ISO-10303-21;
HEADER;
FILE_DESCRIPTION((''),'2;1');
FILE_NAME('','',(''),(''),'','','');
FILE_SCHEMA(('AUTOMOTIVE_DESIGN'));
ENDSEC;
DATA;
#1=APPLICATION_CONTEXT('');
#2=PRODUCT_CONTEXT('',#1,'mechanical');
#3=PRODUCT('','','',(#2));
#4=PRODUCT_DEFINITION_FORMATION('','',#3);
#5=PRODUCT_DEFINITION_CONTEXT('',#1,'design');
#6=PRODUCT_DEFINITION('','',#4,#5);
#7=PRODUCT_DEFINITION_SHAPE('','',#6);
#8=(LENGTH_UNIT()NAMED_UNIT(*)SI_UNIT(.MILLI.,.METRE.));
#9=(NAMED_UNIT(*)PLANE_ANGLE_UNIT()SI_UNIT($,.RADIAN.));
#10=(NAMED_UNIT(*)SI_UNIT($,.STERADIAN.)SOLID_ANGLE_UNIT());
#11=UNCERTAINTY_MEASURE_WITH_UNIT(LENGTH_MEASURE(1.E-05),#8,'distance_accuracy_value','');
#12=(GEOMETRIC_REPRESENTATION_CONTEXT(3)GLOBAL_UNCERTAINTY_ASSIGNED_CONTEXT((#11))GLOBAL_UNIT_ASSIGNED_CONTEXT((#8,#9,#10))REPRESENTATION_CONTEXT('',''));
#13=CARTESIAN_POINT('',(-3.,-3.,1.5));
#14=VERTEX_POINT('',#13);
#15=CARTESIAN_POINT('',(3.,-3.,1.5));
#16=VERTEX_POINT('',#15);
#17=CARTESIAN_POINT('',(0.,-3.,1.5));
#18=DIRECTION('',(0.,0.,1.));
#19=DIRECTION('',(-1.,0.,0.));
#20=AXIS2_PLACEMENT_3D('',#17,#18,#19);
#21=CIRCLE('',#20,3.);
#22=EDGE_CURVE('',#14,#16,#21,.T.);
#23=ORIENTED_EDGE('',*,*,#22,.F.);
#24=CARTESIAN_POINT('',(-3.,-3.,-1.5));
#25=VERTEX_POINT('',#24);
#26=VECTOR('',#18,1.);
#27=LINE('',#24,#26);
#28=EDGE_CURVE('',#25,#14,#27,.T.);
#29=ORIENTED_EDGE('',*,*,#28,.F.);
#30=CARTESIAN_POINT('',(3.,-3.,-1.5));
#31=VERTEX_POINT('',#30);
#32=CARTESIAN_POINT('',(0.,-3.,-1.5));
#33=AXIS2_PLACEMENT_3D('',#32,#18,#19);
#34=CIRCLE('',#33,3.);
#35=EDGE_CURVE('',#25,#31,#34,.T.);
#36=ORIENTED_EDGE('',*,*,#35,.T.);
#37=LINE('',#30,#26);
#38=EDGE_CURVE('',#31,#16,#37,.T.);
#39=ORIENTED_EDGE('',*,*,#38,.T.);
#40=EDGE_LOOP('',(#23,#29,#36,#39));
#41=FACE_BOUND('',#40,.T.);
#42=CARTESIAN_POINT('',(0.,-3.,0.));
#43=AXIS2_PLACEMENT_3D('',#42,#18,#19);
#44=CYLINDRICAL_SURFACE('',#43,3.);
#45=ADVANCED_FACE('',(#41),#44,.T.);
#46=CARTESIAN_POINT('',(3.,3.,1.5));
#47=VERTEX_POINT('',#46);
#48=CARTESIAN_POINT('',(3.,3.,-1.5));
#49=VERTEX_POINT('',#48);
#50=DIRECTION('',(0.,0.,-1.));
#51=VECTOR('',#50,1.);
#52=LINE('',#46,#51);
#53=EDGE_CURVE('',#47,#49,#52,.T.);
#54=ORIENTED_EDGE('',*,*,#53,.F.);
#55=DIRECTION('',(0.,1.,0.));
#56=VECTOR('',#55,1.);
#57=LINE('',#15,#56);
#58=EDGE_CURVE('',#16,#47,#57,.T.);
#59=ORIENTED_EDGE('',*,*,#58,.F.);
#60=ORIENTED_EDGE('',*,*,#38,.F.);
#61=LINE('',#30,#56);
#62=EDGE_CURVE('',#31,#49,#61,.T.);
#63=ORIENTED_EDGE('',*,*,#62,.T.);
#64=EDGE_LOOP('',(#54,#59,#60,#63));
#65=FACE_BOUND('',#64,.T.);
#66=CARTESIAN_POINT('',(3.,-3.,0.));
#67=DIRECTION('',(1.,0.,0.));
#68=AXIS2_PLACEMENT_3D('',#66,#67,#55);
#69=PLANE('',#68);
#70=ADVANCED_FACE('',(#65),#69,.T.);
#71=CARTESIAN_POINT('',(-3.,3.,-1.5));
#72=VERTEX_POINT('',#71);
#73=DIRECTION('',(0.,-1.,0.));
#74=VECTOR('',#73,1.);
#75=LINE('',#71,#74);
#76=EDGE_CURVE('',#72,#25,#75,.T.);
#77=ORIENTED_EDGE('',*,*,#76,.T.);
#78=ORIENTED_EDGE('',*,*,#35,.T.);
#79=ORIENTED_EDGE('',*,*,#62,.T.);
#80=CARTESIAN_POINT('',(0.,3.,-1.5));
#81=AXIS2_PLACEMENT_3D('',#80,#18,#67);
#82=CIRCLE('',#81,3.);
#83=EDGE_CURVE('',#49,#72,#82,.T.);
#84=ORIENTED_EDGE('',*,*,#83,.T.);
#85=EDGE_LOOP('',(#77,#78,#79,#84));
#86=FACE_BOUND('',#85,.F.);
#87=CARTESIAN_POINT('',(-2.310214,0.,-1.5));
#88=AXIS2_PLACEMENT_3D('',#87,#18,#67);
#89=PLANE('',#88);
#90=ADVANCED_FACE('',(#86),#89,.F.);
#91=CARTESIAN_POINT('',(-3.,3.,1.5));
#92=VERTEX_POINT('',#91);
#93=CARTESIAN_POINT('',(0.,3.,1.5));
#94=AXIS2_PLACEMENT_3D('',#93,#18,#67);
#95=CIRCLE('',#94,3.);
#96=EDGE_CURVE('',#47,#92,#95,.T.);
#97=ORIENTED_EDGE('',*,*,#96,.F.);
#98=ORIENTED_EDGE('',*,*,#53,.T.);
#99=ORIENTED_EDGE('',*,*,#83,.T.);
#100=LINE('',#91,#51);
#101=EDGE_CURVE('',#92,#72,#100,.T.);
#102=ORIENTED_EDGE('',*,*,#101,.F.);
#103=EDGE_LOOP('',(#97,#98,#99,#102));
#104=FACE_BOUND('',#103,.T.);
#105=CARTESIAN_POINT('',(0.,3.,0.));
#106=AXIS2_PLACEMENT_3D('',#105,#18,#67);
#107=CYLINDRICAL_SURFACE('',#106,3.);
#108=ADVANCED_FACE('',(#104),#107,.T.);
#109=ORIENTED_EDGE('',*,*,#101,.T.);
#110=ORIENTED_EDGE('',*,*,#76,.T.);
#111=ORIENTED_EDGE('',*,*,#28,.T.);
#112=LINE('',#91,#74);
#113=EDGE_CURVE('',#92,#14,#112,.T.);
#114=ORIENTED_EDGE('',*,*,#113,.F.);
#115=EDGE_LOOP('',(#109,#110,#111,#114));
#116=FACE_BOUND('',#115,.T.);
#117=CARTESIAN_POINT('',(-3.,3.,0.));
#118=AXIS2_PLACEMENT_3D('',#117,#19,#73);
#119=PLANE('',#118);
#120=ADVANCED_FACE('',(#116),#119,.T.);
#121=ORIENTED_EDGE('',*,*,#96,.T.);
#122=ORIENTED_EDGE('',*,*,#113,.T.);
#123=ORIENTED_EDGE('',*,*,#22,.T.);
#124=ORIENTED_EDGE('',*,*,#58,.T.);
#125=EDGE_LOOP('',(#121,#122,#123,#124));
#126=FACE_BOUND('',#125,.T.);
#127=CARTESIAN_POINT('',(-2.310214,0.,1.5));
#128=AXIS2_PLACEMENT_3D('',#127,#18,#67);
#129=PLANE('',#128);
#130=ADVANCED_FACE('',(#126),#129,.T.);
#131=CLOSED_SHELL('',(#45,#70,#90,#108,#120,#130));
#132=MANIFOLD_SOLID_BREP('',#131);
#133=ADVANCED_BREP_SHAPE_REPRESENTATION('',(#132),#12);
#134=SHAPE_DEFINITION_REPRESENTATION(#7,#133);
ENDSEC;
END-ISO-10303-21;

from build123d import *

# Parameters (mm, degrees)
F1_DEPTH = 1.5


with BuildPart() as f1:
    # F0 (on Top) → F1 (new body, symmetric)
    with BuildSketch(Plane.XY):
        with BuildLine():
            ThreePointArc((0, 0), (-2.1213203436, 0.8786796564), (-3, 3))
            Line((-3, 3), (-3, -3))
            ThreePointArc((-3, -3), (-2.1213203436, -0.8786796564), (0, 0))
        make_face()
        with BuildLine():
            Line((3, -3), (3, 3))
            ThreePointArc((3, 3), (2.1213203436, 0.8786796564), (0, 0))
            ThreePointArc((0, 0), (2.1213203436, -0.8786796564), (3, -3))
        make_face()
        with BuildLine():
            ThreePointArc((0, 0), (2.1213203436, 0.8786796564), (3, 3))
            ThreePointArc((3, 3), (0, 6), (-3, 3))
            ThreePointArc((-3, 3), (-2.1213203436, 0.8786796564), (0, 0))
        make_face()
        with BuildLine():
            ThreePointArc((3, -3), (2.1213203436, -0.8786796564), (0, 0))
            ThreePointArc((0, 0), (-2.1213203436, -0.8786796564), (-3, -3))
            ThreePointArc((-3, -3), (0, -6), (3, -3))
        make_face()
    extrude(amount=F1_DEPTH, both=True)


solid = f1.part
